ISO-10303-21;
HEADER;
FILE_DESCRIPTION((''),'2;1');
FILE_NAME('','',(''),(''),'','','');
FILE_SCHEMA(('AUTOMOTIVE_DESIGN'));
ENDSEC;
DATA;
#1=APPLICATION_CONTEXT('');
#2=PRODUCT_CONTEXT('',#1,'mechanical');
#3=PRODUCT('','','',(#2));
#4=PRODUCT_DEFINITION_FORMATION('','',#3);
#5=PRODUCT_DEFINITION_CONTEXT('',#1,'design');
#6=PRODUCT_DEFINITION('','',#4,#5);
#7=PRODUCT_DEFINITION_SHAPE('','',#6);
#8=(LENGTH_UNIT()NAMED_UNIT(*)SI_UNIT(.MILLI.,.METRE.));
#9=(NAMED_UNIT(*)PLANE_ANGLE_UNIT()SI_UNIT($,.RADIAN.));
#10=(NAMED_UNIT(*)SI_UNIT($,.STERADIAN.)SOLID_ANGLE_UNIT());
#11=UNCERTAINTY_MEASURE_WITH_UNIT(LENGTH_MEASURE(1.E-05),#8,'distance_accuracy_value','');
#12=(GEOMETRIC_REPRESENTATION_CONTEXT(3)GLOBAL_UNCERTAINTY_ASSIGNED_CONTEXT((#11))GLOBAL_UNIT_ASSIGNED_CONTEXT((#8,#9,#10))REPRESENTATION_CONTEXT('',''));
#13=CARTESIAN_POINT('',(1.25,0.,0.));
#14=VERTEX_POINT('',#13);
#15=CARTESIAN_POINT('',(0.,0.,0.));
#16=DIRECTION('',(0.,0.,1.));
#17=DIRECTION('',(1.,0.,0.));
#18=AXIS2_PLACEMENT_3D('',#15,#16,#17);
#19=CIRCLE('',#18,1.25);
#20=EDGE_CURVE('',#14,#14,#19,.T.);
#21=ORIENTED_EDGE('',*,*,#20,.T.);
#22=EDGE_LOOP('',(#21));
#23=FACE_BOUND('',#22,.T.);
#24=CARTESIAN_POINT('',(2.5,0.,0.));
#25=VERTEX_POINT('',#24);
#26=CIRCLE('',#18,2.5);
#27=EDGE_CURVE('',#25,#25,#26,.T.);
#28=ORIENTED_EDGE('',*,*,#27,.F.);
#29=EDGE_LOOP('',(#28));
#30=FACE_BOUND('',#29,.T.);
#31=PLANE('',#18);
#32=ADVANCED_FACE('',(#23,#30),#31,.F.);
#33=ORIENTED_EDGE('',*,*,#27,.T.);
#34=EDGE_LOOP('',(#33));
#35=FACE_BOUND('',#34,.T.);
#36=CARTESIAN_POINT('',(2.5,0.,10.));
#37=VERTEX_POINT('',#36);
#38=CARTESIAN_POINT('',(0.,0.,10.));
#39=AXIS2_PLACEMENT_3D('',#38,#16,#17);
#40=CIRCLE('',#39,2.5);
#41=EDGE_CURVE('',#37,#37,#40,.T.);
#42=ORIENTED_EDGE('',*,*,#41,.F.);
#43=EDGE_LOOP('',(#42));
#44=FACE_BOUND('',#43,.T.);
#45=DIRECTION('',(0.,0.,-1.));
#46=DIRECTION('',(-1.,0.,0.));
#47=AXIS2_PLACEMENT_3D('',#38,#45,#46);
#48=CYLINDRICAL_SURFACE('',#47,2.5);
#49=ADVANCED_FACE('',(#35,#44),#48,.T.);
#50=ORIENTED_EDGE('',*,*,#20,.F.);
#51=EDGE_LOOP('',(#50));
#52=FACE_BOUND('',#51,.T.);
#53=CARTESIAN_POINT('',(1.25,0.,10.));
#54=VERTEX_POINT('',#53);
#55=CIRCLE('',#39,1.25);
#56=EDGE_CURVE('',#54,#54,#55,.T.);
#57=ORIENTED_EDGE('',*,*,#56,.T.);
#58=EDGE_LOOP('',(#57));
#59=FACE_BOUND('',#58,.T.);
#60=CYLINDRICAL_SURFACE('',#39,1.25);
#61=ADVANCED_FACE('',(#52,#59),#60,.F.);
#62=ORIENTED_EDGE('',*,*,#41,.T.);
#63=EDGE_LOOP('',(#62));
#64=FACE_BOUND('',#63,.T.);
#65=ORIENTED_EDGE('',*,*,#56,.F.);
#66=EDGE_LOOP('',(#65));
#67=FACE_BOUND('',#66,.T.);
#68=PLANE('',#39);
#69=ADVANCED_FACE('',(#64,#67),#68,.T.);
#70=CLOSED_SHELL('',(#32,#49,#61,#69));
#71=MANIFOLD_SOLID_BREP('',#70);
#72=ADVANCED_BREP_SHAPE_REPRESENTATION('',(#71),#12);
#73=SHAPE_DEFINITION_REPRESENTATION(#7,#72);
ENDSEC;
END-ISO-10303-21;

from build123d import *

# Parameters (mm, degrees)
SKETCH_1_R         = 2.5
EXTRUDE_1_DEPTH    = 10
HOLE_WIZARD_M3_1_D = 2.5


with BuildPart() as part:
    # 草图1 → 凸台-拉伸1 (new body)
    with BuildSketch(Plane.XY):
        Circle(SKETCH_1_R)
    extrude(amount=EXTRUDE_1_DEPTH)

    # M3 螺纹孔1 (through all)
    with Locations(Plane.XY.offset(10)):
        with Locations((0, 0)):
            Hole(HOLE_WIZARD_M3_1_D / 2)


solid = part.part
